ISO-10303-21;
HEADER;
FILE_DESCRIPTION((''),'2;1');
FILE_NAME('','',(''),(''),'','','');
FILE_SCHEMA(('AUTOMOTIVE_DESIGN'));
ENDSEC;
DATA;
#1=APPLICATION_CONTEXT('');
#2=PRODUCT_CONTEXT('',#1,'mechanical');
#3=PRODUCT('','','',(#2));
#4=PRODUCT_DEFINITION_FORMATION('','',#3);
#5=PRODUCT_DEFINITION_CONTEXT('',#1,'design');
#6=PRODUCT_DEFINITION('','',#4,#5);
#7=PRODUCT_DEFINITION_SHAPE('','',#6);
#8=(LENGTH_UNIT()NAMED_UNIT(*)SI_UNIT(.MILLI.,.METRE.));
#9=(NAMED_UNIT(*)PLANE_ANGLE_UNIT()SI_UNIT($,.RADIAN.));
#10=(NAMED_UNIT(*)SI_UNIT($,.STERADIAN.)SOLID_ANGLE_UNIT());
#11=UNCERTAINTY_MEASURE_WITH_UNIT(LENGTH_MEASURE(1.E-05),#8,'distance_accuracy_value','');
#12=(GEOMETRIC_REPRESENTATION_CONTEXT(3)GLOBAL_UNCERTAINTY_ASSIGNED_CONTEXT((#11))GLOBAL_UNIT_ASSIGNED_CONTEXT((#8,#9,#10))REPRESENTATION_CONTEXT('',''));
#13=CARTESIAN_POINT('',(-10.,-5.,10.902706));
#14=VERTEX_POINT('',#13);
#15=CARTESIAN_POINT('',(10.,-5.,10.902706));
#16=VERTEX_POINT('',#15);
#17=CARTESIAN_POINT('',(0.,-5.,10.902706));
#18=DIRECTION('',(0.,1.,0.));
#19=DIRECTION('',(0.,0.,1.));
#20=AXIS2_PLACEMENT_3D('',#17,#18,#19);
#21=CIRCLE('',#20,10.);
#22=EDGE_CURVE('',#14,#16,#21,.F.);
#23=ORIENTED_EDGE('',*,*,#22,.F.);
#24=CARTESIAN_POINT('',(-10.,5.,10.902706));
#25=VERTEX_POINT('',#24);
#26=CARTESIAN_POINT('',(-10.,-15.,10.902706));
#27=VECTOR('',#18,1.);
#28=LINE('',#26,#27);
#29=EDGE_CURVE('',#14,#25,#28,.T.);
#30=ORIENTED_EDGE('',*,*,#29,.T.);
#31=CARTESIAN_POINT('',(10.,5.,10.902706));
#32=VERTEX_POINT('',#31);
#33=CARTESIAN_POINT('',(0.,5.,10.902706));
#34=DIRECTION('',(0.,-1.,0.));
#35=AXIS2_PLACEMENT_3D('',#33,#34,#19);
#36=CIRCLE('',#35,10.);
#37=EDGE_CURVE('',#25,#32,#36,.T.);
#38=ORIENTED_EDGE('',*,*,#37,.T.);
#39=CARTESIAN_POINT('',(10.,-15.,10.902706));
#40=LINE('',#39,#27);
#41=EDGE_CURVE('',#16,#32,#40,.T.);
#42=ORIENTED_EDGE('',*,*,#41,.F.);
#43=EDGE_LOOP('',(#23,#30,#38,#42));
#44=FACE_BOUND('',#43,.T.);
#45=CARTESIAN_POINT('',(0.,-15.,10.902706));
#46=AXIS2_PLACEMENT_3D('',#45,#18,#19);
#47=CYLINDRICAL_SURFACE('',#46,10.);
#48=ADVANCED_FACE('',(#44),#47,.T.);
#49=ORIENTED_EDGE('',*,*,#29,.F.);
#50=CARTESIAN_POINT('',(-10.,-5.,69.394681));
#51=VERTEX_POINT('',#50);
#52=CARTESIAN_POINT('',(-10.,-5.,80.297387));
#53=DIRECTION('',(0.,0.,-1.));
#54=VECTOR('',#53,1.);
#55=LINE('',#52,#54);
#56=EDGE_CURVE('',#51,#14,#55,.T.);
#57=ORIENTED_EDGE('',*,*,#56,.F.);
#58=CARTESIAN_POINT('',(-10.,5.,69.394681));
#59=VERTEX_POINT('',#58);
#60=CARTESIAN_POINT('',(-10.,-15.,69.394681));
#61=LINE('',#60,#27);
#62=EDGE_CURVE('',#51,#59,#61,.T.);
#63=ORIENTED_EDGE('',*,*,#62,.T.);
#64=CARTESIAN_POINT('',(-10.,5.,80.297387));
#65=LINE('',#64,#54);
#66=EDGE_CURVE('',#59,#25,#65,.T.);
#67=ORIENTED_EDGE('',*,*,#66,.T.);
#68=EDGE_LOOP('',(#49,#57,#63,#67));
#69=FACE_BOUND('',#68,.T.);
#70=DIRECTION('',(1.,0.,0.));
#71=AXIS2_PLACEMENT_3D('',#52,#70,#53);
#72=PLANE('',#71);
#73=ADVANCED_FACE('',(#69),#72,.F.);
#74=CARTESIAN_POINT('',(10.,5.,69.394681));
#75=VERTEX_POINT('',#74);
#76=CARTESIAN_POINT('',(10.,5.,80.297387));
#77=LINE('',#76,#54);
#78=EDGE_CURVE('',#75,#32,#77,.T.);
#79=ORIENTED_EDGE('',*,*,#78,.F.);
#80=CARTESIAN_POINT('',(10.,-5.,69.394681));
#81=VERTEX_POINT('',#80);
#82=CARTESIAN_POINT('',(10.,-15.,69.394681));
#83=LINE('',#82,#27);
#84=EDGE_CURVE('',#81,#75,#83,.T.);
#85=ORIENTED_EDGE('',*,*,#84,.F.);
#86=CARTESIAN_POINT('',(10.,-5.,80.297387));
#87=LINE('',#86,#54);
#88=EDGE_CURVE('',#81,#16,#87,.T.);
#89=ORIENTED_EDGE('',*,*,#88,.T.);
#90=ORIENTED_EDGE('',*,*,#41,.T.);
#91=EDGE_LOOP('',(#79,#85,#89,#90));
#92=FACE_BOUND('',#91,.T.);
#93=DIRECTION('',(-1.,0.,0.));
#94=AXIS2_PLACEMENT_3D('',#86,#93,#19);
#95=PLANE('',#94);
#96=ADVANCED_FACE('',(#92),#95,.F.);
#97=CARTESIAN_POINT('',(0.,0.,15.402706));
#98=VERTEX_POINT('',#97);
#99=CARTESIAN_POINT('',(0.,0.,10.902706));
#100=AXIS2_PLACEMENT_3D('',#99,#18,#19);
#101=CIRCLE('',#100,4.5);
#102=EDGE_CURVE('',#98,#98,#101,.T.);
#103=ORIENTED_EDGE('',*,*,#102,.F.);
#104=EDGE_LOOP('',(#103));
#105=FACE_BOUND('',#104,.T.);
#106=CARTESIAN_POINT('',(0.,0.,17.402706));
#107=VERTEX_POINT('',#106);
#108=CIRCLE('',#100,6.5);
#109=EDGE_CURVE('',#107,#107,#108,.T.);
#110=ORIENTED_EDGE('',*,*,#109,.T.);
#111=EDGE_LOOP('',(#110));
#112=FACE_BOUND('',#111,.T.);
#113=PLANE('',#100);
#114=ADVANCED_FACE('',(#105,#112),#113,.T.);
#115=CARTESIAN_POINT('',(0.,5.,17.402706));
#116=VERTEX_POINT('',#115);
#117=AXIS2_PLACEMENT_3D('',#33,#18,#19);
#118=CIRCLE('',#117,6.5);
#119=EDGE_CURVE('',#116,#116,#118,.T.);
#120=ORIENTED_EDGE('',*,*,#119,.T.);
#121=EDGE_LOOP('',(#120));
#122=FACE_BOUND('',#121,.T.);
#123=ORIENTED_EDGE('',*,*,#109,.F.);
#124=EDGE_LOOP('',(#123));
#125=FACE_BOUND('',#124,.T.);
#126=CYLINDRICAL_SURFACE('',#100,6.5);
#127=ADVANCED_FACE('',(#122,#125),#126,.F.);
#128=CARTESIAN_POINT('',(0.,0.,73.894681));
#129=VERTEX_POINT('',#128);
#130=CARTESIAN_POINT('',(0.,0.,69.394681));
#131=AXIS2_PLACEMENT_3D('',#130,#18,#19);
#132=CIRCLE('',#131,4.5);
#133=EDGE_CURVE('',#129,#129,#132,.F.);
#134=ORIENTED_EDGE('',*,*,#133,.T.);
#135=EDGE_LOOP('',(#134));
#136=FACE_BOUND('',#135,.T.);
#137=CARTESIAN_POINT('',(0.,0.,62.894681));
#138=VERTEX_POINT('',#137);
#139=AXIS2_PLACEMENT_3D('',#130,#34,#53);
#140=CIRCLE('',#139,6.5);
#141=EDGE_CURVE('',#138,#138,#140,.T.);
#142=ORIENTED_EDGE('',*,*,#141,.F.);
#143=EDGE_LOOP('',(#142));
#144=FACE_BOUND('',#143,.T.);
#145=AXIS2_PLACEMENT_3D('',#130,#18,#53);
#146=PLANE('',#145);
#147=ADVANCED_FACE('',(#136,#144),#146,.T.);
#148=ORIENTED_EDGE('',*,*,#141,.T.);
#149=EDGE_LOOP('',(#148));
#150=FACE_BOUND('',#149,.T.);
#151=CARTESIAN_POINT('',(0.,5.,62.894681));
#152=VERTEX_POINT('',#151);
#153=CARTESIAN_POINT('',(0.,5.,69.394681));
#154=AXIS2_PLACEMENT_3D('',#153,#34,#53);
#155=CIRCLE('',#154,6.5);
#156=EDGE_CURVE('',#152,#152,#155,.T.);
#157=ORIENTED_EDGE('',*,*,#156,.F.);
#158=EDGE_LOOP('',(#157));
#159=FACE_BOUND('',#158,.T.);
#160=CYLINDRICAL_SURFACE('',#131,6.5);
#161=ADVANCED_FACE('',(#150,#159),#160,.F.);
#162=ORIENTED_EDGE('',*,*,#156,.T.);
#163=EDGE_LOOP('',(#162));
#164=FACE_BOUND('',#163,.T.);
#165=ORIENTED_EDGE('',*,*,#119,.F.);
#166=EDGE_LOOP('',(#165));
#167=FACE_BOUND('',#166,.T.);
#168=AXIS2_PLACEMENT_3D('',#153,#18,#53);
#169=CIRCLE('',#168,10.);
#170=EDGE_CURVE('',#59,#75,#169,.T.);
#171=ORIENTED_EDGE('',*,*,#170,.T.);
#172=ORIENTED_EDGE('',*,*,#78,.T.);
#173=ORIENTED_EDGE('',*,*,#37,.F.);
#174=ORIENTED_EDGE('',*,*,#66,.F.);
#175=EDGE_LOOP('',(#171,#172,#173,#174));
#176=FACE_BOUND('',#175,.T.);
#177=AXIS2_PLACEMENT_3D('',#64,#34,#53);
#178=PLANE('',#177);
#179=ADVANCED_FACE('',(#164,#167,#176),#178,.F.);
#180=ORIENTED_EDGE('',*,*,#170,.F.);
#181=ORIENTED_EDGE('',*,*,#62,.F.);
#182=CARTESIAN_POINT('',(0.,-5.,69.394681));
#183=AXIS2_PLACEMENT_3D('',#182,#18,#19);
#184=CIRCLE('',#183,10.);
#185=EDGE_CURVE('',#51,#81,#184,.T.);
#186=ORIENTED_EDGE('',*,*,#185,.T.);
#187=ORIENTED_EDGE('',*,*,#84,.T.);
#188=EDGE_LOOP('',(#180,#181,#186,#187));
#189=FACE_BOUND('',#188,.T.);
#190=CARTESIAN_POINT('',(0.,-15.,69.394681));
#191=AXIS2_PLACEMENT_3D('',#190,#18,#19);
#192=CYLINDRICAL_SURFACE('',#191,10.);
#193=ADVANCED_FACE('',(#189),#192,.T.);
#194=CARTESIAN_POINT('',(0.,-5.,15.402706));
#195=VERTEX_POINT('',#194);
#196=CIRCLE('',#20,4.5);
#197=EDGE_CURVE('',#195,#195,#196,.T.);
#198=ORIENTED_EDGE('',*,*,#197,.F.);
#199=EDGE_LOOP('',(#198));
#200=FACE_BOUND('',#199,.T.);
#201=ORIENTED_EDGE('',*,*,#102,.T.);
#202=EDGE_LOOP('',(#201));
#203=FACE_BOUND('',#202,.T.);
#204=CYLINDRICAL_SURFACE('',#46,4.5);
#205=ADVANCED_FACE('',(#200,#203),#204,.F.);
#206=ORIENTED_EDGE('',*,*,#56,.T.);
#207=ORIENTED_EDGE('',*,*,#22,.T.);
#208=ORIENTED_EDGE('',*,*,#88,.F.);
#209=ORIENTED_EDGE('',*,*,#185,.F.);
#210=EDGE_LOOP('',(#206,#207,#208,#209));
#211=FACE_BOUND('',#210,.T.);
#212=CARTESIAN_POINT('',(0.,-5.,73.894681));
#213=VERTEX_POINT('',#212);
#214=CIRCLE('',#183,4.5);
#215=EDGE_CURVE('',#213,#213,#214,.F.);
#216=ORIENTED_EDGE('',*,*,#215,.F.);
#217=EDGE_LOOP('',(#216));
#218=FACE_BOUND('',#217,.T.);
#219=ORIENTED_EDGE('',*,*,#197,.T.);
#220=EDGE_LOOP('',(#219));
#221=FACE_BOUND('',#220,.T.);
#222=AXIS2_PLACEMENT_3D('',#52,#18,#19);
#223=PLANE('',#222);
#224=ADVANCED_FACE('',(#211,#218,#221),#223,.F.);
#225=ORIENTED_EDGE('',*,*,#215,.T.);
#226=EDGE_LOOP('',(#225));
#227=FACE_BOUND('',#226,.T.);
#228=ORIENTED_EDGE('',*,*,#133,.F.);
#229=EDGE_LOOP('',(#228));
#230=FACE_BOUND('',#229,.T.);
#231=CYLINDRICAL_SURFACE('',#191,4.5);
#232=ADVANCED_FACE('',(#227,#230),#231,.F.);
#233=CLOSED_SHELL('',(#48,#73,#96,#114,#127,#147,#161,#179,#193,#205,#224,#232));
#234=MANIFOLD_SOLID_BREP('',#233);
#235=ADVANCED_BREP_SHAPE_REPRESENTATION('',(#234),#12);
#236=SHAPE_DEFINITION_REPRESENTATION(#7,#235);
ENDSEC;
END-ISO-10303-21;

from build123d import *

# Parameters (mm, degrees)
SKETCH_1_W          = 20
SKETCH_1_H          = 10
EXTRUDE_1_DEPTH     = 80.297387422
SKETCH_2_R          = 6.5
CUT_EXTRUDE_1_DEPTH = 5
SKETCH_3_R          = 4.5
CUT_EXTRUDE_2_DEPTH = 20


with BuildPart() as part:
    # 스케치1 → 보스-돌출1 (new body)
    with BuildSketch(Plane.XY):
        Rectangle(SKETCH_1_W, SKETCH_1_H)
    extrude(amount=EXTRUDE_1_DEPTH)

    # 스케치2 → 컷-돌출1 (cut)
    with BuildSketch(Plane(origin=(0, 5, 0), x_dir=(1, 0, 0), z_dir=(0, 1, 0))):
        with Locations(Location((0, -10.902706153, 0), (0, 0, 270))):
            Circle(SKETCH_2_R)
    cut_extrude_1 = extrude(amount=-CUT_EXTRUDE_1_DEPTH, mode=Mode.SUBTRACT)

    # 스케치3 → 컷-돌출2 (cut)
    with BuildSketch(Plane(origin=(0, 5, 0), x_dir=(1, 0, 0), z_dir=(0, 1, 0))):
        with Locations(Location((0, -10.902706153, 0), (0, 0, 270))):
            Circle(SKETCH_3_R)
        with BuildLine():
            Line((-21.262122506, -10.902706153), (-10, -10.902706153))
            ThreePointArc((-10, -10.902706153), (0, -0.902706153), (10, -10.902706153))
            Line((10, -10.902706153), (21.262122506, -10.902706153))
            ThreePointArc((21.262122506, -10.902706153), (0, 10.359416353), (-21.262122506, -10.902706153))
        make_face()
    cut_extrude_2 = extrude(amount=-CUT_EXTRUDE_2_DEPTH, mode=Mode.SUBTRACT)

    # 대칭 복사1: 컷-돌출1, 컷-돌출2 across plane
    add(cut_extrude_1.mirror(Plane.XY.offset(40.148693711)), mode=Mode.SUBTRACT)
    add(cut_extrude_2.mirror(Plane.XY.offset(40.148693711)), mode=Mode.SUBTRACT)


solid = part.part
